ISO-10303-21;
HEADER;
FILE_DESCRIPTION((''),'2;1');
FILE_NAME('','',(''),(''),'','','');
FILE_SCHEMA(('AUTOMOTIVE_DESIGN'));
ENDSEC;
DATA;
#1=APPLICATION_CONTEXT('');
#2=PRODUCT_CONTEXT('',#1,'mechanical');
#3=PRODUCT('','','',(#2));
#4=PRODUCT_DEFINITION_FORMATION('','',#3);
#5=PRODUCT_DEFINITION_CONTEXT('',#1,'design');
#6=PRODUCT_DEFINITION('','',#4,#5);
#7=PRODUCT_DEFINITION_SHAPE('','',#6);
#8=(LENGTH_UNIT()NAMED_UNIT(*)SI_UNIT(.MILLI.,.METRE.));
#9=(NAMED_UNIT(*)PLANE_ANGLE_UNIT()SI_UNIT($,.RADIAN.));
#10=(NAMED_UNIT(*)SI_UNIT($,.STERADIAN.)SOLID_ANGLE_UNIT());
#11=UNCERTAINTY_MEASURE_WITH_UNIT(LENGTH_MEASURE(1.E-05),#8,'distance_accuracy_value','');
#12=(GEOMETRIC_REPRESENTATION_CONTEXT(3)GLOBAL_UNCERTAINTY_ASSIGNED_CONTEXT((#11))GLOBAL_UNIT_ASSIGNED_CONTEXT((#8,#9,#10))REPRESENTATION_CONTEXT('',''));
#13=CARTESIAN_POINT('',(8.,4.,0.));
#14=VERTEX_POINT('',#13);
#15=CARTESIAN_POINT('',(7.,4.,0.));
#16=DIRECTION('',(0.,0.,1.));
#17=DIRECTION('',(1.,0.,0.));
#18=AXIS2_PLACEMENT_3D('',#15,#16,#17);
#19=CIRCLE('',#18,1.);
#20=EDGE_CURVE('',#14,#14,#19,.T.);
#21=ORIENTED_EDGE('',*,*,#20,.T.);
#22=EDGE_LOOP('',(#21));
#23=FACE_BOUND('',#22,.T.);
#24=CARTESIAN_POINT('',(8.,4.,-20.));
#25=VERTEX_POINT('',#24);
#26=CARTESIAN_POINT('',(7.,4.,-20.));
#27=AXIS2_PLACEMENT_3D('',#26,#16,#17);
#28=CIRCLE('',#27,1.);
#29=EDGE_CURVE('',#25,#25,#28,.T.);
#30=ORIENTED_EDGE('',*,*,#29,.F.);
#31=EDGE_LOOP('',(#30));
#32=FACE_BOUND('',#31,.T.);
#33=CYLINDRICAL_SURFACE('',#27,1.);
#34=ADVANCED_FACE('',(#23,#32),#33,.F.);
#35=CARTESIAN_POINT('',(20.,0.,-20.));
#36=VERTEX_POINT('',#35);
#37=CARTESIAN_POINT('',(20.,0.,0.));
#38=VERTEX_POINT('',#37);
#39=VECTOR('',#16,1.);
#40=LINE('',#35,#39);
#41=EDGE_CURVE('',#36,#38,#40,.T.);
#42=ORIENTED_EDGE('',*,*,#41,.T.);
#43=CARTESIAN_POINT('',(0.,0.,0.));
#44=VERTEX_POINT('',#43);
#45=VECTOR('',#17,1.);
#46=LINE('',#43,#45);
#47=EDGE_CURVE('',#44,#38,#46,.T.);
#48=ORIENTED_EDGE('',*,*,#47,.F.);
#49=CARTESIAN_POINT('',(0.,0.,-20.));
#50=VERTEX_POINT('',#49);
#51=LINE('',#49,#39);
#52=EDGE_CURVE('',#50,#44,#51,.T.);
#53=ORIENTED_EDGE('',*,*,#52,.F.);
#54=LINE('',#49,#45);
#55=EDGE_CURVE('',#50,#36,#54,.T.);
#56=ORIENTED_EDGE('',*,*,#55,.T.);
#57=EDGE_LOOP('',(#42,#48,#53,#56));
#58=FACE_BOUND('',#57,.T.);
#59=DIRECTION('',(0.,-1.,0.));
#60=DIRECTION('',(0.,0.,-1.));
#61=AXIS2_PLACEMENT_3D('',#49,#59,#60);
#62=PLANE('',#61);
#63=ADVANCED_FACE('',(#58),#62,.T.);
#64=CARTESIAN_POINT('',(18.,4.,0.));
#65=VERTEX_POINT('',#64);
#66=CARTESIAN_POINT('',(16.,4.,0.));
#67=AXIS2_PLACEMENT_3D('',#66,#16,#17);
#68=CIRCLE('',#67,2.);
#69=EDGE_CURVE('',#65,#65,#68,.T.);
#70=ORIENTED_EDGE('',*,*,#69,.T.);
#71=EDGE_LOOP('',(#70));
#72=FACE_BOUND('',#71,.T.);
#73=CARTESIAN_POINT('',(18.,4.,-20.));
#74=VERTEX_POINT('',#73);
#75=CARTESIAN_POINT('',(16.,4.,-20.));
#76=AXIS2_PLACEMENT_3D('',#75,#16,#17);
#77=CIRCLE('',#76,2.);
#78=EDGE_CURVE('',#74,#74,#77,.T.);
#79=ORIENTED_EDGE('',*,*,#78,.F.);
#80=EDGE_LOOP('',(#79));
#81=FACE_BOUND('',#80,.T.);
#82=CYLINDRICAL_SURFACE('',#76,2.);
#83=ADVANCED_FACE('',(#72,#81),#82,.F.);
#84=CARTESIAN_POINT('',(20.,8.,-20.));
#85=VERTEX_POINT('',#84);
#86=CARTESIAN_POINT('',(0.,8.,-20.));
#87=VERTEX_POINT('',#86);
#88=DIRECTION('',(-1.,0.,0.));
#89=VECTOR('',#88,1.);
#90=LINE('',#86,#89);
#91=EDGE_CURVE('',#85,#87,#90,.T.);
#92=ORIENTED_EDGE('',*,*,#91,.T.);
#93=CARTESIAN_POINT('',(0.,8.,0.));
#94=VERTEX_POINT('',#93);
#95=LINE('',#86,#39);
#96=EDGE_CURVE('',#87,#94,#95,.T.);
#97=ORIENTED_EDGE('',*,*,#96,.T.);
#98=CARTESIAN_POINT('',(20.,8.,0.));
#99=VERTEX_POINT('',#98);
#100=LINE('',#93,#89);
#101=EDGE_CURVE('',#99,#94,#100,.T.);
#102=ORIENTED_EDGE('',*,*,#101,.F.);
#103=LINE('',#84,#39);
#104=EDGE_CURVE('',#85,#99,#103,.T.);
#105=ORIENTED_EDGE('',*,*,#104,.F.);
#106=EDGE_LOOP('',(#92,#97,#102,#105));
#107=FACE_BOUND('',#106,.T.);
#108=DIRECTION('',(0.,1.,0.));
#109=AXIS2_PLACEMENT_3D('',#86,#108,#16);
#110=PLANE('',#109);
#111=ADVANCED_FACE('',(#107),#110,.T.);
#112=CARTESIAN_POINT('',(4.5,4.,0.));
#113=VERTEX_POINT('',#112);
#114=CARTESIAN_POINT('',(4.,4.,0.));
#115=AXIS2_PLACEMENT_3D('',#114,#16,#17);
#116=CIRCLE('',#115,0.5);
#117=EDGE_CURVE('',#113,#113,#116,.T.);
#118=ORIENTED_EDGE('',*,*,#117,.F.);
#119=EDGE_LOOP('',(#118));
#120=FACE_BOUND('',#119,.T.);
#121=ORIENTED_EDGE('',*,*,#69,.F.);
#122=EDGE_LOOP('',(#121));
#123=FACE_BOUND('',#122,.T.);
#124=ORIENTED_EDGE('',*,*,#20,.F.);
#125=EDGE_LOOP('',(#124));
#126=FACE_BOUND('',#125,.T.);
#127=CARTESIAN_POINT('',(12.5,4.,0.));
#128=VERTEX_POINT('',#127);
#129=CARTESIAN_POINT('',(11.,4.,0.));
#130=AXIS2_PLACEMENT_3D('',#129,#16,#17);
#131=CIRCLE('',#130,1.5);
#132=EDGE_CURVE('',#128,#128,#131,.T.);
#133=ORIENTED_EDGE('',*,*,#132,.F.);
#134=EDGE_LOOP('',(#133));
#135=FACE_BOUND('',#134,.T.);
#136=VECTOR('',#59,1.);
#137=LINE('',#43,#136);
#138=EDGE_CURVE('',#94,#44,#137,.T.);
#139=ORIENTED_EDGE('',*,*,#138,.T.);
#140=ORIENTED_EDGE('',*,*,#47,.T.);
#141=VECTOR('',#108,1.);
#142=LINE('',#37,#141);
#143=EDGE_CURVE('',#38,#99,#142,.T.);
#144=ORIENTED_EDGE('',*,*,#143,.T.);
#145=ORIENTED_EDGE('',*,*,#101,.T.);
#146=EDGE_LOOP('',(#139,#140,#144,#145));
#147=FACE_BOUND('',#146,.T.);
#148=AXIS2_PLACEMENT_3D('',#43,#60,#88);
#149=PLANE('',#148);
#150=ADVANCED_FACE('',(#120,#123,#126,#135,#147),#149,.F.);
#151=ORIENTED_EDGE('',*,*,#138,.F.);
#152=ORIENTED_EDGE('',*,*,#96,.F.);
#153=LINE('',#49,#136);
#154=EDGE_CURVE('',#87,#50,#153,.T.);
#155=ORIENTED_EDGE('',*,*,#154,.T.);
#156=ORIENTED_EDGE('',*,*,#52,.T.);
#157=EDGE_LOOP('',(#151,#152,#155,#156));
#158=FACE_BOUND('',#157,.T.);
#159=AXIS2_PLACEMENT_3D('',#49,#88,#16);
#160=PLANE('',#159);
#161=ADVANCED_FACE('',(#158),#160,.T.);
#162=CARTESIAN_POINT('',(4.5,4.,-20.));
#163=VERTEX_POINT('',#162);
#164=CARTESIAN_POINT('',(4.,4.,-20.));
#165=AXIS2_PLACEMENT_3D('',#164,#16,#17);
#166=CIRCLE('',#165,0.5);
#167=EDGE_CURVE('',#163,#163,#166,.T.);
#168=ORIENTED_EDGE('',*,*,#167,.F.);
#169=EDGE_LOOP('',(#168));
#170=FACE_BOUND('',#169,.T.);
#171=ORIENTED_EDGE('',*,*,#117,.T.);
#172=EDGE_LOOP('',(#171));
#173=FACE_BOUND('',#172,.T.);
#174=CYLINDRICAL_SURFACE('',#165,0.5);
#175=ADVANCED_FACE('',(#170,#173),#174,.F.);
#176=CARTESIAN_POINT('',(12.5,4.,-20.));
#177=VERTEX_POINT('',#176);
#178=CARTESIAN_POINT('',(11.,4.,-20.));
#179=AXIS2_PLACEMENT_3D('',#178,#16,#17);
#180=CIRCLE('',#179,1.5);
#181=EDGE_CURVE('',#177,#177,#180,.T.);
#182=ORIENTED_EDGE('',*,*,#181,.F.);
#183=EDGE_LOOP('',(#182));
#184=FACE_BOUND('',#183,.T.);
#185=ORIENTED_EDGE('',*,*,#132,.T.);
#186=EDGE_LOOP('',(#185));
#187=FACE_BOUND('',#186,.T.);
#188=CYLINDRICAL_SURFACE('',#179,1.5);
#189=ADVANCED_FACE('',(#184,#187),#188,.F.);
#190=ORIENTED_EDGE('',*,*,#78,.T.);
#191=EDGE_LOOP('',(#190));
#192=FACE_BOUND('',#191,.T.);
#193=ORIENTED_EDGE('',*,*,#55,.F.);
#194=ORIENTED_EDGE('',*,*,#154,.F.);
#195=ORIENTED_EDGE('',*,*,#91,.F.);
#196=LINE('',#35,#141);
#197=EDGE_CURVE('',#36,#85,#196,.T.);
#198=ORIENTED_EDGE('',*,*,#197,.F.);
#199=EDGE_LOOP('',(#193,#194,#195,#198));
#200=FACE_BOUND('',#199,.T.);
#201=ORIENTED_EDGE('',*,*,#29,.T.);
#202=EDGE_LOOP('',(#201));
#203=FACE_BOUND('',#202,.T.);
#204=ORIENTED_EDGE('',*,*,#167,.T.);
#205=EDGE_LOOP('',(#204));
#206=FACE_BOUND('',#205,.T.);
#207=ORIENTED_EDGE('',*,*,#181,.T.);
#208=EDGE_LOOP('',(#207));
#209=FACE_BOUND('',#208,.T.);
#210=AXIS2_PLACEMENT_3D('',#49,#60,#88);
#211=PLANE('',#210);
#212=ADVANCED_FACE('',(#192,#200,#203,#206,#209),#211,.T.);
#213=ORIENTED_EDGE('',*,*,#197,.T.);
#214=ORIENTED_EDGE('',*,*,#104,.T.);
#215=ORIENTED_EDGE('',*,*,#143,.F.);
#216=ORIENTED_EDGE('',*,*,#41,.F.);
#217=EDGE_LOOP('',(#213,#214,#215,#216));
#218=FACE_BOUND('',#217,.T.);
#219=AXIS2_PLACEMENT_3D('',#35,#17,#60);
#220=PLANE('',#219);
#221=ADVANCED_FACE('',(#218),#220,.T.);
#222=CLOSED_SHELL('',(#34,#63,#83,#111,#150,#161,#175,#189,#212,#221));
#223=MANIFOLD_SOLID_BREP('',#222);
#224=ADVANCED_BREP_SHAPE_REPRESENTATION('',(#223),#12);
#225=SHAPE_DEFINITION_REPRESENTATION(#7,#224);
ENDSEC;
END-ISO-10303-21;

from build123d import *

# Parameters (mm, degrees)
SKETCH1_W           = 20
SKETCH1_H           = 8
BOSS_EXTRUDE1_DEPTH = 20
SKETCH2_R           = 0.5
SKETCH2_R_2         = 1
SKETCH2_R_3         = 1.5
SKETCH2_R_4         = 2
CUT_EXTRUDE1_DEPTH  = 21


with BuildPart() as part:
    # Sketch1 → Boss-Extrude1 (new body)
    with BuildSketch(Plane.XY):
        with Locations((10, 4)):
            Rectangle(SKETCH1_W, SKETCH1_H)
    extrude(amount=-BOSS_EXTRUDE1_DEPTH)

    # Sketch2 → Cut-Extrude1 (cut, through all)
    with BuildSketch(Plane.XY):
        with Locations((4, 4)):
            Circle(SKETCH2_R)
        with Locations((7, 4)):
            Circle(SKETCH2_R_2)
        with Locations((11, 4)):
            Circle(SKETCH2_R_3)
        with Locations((16, 4)):
            Circle(SKETCH2_R_4)
    extrude(amount=-CUT_EXTRUDE1_DEPTH, mode=Mode.SUBTRACT)


solid = part.part
